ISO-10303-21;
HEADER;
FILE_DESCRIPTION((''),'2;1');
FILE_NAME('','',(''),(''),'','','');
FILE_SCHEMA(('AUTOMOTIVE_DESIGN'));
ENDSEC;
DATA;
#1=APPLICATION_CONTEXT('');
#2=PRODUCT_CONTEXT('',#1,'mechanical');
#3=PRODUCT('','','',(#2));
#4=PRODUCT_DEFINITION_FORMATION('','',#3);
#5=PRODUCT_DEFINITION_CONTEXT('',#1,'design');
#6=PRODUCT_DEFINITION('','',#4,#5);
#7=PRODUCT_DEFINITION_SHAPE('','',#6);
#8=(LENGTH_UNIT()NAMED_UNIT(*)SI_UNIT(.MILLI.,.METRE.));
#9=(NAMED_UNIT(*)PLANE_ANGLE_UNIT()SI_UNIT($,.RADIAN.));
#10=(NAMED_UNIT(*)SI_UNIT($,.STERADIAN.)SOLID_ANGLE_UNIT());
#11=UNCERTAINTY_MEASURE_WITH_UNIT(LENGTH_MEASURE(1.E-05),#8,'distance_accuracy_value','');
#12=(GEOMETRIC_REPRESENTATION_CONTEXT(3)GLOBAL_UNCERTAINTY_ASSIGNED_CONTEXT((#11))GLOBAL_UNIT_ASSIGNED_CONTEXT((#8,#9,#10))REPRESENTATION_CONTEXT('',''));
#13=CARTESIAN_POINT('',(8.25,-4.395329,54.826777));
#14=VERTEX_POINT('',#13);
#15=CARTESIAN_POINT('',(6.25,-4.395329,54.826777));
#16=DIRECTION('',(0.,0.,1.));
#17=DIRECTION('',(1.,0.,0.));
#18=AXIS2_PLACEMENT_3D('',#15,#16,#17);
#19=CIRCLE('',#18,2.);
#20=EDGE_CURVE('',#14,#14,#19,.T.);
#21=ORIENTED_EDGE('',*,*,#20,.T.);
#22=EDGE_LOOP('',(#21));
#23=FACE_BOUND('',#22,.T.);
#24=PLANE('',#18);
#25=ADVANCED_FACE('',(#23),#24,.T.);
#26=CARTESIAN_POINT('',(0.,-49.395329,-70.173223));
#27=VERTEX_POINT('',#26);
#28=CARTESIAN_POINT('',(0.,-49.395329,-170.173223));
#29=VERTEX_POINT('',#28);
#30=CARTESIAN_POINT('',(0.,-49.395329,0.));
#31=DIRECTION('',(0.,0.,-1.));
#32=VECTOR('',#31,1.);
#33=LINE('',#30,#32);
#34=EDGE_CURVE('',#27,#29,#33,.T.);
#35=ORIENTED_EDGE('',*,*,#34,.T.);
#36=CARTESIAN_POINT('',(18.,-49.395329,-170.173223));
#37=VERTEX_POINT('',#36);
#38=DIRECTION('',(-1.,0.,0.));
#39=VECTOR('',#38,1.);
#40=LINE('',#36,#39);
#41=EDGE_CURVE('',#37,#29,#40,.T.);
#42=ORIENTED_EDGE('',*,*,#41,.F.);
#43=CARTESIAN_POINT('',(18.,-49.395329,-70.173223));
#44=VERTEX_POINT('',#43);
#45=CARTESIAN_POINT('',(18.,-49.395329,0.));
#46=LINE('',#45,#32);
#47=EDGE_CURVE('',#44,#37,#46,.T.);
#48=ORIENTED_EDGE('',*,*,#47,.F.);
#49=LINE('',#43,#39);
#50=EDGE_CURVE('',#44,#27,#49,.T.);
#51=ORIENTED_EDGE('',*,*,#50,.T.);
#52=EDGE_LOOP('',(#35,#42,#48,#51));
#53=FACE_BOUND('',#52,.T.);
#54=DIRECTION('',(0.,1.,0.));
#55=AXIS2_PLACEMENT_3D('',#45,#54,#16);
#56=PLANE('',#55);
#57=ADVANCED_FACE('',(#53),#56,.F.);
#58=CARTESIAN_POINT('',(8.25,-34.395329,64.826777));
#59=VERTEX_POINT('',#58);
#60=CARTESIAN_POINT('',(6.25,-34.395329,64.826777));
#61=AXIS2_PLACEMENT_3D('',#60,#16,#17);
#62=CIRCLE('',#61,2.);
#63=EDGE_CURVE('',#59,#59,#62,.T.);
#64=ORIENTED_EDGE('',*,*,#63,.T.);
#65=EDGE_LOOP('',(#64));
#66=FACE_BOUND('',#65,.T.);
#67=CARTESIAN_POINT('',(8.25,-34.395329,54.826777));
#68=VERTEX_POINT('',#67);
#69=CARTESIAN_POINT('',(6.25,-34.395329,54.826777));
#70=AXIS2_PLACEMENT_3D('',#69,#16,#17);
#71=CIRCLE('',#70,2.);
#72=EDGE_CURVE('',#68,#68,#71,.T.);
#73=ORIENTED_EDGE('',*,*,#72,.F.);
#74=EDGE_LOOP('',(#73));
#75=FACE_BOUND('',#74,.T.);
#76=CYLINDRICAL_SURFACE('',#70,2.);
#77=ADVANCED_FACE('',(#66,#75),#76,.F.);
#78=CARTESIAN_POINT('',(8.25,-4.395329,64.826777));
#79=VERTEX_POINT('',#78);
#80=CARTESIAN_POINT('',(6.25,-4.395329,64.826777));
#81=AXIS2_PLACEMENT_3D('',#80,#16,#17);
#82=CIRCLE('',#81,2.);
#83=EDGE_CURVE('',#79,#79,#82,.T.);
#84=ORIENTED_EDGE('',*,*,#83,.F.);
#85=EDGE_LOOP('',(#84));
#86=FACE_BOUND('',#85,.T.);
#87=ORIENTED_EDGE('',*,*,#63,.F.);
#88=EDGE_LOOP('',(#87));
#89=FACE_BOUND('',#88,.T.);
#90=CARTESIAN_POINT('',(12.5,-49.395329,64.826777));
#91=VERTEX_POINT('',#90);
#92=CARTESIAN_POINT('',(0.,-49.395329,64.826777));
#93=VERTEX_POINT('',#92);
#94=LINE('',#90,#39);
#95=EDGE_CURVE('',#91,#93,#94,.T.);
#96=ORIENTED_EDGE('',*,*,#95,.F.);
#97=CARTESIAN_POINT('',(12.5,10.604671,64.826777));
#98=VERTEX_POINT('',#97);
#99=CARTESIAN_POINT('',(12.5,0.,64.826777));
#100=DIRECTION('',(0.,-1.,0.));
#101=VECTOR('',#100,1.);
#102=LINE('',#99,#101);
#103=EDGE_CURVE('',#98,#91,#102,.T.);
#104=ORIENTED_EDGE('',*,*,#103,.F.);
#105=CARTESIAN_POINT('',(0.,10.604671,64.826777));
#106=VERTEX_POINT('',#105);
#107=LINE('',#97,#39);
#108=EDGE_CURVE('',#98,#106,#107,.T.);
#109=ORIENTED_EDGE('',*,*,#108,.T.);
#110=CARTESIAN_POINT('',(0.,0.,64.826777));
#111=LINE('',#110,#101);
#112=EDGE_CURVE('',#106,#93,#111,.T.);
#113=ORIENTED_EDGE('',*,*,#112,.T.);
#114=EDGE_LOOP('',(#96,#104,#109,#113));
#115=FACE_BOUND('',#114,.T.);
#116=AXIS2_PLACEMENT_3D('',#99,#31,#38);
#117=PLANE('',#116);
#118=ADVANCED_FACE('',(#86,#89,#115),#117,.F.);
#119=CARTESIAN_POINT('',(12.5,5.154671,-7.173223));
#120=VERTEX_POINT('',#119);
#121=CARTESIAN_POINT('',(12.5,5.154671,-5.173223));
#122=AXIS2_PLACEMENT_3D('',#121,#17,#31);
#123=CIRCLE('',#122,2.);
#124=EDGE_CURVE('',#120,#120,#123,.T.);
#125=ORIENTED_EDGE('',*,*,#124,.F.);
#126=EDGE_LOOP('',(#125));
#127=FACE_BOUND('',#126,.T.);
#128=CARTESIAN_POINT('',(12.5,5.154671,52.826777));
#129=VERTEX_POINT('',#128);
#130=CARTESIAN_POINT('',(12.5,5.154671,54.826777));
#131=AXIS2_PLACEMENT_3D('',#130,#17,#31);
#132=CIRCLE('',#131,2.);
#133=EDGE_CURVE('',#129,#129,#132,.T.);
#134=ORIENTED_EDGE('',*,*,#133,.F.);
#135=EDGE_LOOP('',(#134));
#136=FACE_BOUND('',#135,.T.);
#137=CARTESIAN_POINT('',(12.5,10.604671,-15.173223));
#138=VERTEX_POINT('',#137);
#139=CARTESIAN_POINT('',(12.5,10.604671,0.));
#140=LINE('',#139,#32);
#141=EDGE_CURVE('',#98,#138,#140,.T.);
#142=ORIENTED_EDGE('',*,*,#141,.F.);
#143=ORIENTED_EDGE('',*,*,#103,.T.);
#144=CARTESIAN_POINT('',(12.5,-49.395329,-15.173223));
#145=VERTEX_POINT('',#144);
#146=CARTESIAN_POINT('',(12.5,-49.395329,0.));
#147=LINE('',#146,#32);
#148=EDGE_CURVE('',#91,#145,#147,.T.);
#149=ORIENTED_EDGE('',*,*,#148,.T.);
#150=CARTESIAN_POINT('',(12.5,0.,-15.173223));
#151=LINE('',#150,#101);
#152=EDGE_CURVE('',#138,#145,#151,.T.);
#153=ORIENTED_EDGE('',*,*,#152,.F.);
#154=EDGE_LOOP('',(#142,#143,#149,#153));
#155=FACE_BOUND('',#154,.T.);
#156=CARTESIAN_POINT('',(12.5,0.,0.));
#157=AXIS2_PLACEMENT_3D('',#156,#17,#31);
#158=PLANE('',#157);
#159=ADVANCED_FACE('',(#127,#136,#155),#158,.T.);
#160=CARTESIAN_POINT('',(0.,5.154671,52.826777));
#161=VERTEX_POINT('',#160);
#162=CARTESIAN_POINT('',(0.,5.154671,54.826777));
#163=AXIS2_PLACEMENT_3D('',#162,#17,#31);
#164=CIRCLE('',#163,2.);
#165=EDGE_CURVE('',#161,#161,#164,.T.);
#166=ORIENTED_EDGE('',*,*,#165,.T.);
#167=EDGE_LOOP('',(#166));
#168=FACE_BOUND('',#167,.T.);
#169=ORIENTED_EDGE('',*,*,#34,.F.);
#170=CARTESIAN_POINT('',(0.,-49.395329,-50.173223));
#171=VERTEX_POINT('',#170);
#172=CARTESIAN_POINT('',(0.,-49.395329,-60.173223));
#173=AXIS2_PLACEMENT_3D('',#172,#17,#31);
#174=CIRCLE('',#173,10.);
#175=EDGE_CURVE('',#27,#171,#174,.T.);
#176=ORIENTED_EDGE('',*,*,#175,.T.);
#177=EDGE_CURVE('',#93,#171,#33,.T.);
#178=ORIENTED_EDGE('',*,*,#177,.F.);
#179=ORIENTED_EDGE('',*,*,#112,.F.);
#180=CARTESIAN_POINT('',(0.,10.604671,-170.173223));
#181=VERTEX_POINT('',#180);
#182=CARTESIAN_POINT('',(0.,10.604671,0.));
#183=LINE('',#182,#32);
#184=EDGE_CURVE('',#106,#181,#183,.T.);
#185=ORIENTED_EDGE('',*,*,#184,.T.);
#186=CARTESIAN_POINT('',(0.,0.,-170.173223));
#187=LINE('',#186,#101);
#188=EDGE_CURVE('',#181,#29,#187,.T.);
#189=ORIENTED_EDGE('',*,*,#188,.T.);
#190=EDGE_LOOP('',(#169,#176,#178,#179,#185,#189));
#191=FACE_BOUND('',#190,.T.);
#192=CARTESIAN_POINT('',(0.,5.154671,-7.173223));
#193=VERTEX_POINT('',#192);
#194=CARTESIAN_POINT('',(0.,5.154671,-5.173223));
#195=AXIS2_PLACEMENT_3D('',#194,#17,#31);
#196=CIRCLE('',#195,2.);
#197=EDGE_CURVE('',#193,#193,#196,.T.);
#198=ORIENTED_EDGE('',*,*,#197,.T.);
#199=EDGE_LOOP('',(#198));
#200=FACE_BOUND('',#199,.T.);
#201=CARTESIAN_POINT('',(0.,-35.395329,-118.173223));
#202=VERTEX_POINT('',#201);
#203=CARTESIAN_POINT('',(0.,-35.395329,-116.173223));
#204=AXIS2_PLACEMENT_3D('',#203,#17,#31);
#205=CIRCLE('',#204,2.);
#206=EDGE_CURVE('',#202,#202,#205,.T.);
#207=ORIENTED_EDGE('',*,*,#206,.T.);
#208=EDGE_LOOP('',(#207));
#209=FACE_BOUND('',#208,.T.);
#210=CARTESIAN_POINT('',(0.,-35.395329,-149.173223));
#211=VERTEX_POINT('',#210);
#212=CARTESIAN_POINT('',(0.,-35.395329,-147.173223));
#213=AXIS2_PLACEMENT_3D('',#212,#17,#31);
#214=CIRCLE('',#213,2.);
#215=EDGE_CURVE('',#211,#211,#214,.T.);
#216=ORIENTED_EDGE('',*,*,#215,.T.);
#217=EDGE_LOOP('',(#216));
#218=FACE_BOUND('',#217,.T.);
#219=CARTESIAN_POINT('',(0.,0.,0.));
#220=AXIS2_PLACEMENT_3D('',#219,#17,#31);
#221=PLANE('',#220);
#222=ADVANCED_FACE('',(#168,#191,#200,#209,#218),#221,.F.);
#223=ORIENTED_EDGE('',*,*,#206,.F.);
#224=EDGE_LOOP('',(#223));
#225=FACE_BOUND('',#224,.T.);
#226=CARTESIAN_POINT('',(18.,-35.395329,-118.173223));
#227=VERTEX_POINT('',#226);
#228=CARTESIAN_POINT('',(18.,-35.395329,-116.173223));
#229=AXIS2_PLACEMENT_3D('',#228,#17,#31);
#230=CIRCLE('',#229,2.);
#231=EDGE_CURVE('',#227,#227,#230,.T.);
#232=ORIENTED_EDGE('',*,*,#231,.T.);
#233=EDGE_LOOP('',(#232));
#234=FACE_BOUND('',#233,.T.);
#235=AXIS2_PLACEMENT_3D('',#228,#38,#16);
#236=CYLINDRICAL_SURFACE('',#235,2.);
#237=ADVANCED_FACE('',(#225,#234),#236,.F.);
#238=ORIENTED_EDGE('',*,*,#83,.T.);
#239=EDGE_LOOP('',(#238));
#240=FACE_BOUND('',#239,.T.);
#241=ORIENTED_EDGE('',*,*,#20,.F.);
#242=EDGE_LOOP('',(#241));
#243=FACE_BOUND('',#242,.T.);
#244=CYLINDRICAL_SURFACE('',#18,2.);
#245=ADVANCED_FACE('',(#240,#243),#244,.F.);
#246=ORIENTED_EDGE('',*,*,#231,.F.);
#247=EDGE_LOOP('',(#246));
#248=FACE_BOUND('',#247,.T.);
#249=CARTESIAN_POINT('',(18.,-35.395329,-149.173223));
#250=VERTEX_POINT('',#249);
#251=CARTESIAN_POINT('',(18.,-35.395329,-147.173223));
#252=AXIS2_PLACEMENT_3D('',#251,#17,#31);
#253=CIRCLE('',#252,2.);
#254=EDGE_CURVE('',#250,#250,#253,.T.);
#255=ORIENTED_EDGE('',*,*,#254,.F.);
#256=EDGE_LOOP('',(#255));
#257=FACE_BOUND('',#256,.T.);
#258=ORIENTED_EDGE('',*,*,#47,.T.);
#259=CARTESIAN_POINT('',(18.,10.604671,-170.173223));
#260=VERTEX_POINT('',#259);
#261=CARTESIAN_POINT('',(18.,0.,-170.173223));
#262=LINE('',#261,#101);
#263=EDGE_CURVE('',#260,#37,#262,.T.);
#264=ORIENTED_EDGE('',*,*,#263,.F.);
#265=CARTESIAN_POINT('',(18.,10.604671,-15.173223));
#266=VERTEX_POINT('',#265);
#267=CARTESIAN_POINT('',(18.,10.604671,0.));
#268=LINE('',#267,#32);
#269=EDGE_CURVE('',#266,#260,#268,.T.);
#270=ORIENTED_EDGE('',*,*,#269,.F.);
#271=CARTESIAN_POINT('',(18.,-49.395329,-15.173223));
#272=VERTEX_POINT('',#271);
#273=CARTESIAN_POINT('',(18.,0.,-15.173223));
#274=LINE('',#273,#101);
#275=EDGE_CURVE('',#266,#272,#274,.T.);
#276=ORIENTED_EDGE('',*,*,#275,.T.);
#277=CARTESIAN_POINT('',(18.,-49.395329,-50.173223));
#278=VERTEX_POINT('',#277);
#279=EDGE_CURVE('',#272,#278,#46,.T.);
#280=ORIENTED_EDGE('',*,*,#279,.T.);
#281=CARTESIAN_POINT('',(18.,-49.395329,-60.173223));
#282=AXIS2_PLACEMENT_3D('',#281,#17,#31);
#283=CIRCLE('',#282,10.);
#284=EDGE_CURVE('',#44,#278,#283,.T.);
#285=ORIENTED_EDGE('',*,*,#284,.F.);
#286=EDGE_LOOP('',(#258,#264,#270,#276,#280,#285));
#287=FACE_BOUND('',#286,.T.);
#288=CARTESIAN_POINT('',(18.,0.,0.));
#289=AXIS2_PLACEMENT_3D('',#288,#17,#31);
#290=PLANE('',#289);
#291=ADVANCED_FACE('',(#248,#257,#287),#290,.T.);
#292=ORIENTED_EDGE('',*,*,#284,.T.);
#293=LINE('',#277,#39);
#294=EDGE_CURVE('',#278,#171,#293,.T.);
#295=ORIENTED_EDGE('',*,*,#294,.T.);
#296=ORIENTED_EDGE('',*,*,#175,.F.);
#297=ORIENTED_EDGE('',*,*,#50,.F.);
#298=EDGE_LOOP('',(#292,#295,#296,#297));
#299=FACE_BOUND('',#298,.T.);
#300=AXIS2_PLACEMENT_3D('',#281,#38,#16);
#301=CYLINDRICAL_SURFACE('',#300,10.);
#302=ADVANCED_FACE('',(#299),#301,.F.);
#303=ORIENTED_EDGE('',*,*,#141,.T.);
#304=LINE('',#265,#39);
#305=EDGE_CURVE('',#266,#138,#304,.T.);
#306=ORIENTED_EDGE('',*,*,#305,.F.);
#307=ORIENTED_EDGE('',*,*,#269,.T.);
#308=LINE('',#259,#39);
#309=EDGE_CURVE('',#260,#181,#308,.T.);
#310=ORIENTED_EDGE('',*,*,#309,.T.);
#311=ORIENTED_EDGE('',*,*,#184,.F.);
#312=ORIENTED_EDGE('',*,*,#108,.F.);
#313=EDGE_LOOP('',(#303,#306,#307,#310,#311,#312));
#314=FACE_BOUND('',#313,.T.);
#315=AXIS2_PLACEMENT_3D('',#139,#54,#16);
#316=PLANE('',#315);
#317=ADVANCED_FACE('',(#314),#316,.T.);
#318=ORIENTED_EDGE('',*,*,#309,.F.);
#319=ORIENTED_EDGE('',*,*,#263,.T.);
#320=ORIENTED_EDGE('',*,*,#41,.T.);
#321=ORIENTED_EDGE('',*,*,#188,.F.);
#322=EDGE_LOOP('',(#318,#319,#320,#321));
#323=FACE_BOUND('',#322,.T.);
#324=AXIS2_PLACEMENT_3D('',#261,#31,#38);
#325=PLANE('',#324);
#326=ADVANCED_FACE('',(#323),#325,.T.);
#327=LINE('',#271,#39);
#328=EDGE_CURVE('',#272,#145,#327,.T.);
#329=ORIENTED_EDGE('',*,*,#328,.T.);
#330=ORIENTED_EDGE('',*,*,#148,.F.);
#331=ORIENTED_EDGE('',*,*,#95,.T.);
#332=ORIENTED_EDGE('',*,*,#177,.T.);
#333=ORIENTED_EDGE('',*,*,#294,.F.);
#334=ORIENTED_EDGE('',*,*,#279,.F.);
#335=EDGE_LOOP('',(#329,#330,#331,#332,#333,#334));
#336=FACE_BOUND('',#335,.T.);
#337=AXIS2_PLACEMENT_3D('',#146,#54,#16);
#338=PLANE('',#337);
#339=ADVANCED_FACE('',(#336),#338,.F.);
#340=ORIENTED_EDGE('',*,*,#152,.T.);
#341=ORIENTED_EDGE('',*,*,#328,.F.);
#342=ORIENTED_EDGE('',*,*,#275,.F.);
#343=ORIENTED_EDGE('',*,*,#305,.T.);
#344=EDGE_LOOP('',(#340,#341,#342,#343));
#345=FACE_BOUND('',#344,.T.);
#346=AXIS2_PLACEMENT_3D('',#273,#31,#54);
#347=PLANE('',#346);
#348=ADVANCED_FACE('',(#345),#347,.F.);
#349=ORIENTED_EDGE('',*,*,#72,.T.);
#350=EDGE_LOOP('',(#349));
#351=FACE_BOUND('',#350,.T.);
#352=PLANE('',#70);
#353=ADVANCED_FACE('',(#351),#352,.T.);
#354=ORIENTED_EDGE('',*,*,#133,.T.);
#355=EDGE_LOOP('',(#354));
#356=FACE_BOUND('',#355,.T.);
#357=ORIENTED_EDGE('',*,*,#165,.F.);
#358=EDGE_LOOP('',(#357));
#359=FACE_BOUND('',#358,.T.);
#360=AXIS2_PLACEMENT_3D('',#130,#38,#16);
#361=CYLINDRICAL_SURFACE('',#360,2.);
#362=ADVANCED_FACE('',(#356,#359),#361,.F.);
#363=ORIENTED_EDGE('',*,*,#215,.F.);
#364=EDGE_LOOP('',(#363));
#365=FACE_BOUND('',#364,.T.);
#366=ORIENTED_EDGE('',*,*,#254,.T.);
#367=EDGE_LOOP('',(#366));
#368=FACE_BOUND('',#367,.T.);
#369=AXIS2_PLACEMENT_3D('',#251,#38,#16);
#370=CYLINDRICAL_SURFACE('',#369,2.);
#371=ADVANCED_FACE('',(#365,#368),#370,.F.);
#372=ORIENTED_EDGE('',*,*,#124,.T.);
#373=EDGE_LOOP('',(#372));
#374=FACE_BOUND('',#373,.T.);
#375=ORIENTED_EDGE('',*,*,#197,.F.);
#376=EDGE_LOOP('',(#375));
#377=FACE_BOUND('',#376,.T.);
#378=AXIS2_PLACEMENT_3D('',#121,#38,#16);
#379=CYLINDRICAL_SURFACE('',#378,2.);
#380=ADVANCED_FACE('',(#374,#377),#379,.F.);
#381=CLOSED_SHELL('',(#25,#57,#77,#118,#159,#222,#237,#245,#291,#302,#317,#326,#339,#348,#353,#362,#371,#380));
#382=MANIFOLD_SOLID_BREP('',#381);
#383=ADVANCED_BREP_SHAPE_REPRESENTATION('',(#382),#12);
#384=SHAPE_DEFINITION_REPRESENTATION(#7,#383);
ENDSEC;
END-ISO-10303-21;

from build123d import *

# Parameters (mm, degrees)
ESQUISSE1_W             = 80
ESQUISSE1_H             = 60
ESQUISSE1_R             = 2
BOSS_EXTRU_2_DEPTH      = 12.5
ESQUISSE1_3_R           = 2
BOSS_EXTRU_3_DEPTH      = 18
ESQUISSE5_R             = 2
ENL_V_MAT_EXTRU_2_DEPTH = 10


with BuildPart() as part:
    # Esquisse1 → Boss.-Extru.2 (new body)
    with BuildSketch(Plane(origin=(0, 0, 0), x_dir=(0, 0, -1), z_dir=(1, 0, 0))):
        with Locations((-24.826777374, -19.395329297)):
            Rectangle(ESQUISSE1_W, ESQUISSE1_H)
        with Locations((-54.826777374, 5.154670703)):
            Circle(ESQUISSE1_R, mode=Mode.SUBTRACT)
        with Locations((5.173222626, 5.154670703)):
            Circle(ESQUISSE1_R, mode=Mode.SUBTRACT)
    extrude(amount=BOSS_EXTRU_2_DEPTH)

    # Esquisse1<3> → Boss.-Extru.3 (add)
    with BuildSketch(Plane(origin=(0, 0, 0), x_dir=(0, 0, -1), z_dir=(1, 0, 0))):
        with BuildLine():
            Line((170.173222626, 10.604670703), (15.173222626, 10.604670703))
            Line((15.173222626, 10.604670703), (15.173222626, -49.395329297))
            Line((15.173222626, -49.395329297), (50.173222626, -49.395329297))
            ThreePointArc((50.173222626, -49.395329297), (60.173222626, -39.395329297), (70.173222626, -49.395329297))
            Line((70.173222626, -49.395329297), (170.173222626, -49.395329297))
            Line((170.173222626, -49.395329297), (170.173222626, 10.604670703))
        make_face()
        with Locations((116.173222626, -35.395329297)):
            Circle(ESQUISSE1_3_R, mode=Mode.SUBTRACT)
        with Locations((147.173222626, -35.395329297)):
            Circle(ESQUISSE1_3_R, mode=Mode.SUBTRACT)
    extrude(amount=BOSS_EXTRU_3_DEPTH)

    # Esquisse5 → Enlèv. mat.-Extru.2 (cut)
    with BuildSketch(Plane.XY.offset(64.826777374)):
        with Locations((6.25, -4.395329297)):
            Circle(ESQUISSE5_R)
        with Locations((6.25, -34.395329297)):
            Circle(ESQUISSE5_R)
    extrude(amount=-ENL_V_MAT_EXTRU_2_DEPTH, mode=Mode.SUBTRACT)


solid = part.part
